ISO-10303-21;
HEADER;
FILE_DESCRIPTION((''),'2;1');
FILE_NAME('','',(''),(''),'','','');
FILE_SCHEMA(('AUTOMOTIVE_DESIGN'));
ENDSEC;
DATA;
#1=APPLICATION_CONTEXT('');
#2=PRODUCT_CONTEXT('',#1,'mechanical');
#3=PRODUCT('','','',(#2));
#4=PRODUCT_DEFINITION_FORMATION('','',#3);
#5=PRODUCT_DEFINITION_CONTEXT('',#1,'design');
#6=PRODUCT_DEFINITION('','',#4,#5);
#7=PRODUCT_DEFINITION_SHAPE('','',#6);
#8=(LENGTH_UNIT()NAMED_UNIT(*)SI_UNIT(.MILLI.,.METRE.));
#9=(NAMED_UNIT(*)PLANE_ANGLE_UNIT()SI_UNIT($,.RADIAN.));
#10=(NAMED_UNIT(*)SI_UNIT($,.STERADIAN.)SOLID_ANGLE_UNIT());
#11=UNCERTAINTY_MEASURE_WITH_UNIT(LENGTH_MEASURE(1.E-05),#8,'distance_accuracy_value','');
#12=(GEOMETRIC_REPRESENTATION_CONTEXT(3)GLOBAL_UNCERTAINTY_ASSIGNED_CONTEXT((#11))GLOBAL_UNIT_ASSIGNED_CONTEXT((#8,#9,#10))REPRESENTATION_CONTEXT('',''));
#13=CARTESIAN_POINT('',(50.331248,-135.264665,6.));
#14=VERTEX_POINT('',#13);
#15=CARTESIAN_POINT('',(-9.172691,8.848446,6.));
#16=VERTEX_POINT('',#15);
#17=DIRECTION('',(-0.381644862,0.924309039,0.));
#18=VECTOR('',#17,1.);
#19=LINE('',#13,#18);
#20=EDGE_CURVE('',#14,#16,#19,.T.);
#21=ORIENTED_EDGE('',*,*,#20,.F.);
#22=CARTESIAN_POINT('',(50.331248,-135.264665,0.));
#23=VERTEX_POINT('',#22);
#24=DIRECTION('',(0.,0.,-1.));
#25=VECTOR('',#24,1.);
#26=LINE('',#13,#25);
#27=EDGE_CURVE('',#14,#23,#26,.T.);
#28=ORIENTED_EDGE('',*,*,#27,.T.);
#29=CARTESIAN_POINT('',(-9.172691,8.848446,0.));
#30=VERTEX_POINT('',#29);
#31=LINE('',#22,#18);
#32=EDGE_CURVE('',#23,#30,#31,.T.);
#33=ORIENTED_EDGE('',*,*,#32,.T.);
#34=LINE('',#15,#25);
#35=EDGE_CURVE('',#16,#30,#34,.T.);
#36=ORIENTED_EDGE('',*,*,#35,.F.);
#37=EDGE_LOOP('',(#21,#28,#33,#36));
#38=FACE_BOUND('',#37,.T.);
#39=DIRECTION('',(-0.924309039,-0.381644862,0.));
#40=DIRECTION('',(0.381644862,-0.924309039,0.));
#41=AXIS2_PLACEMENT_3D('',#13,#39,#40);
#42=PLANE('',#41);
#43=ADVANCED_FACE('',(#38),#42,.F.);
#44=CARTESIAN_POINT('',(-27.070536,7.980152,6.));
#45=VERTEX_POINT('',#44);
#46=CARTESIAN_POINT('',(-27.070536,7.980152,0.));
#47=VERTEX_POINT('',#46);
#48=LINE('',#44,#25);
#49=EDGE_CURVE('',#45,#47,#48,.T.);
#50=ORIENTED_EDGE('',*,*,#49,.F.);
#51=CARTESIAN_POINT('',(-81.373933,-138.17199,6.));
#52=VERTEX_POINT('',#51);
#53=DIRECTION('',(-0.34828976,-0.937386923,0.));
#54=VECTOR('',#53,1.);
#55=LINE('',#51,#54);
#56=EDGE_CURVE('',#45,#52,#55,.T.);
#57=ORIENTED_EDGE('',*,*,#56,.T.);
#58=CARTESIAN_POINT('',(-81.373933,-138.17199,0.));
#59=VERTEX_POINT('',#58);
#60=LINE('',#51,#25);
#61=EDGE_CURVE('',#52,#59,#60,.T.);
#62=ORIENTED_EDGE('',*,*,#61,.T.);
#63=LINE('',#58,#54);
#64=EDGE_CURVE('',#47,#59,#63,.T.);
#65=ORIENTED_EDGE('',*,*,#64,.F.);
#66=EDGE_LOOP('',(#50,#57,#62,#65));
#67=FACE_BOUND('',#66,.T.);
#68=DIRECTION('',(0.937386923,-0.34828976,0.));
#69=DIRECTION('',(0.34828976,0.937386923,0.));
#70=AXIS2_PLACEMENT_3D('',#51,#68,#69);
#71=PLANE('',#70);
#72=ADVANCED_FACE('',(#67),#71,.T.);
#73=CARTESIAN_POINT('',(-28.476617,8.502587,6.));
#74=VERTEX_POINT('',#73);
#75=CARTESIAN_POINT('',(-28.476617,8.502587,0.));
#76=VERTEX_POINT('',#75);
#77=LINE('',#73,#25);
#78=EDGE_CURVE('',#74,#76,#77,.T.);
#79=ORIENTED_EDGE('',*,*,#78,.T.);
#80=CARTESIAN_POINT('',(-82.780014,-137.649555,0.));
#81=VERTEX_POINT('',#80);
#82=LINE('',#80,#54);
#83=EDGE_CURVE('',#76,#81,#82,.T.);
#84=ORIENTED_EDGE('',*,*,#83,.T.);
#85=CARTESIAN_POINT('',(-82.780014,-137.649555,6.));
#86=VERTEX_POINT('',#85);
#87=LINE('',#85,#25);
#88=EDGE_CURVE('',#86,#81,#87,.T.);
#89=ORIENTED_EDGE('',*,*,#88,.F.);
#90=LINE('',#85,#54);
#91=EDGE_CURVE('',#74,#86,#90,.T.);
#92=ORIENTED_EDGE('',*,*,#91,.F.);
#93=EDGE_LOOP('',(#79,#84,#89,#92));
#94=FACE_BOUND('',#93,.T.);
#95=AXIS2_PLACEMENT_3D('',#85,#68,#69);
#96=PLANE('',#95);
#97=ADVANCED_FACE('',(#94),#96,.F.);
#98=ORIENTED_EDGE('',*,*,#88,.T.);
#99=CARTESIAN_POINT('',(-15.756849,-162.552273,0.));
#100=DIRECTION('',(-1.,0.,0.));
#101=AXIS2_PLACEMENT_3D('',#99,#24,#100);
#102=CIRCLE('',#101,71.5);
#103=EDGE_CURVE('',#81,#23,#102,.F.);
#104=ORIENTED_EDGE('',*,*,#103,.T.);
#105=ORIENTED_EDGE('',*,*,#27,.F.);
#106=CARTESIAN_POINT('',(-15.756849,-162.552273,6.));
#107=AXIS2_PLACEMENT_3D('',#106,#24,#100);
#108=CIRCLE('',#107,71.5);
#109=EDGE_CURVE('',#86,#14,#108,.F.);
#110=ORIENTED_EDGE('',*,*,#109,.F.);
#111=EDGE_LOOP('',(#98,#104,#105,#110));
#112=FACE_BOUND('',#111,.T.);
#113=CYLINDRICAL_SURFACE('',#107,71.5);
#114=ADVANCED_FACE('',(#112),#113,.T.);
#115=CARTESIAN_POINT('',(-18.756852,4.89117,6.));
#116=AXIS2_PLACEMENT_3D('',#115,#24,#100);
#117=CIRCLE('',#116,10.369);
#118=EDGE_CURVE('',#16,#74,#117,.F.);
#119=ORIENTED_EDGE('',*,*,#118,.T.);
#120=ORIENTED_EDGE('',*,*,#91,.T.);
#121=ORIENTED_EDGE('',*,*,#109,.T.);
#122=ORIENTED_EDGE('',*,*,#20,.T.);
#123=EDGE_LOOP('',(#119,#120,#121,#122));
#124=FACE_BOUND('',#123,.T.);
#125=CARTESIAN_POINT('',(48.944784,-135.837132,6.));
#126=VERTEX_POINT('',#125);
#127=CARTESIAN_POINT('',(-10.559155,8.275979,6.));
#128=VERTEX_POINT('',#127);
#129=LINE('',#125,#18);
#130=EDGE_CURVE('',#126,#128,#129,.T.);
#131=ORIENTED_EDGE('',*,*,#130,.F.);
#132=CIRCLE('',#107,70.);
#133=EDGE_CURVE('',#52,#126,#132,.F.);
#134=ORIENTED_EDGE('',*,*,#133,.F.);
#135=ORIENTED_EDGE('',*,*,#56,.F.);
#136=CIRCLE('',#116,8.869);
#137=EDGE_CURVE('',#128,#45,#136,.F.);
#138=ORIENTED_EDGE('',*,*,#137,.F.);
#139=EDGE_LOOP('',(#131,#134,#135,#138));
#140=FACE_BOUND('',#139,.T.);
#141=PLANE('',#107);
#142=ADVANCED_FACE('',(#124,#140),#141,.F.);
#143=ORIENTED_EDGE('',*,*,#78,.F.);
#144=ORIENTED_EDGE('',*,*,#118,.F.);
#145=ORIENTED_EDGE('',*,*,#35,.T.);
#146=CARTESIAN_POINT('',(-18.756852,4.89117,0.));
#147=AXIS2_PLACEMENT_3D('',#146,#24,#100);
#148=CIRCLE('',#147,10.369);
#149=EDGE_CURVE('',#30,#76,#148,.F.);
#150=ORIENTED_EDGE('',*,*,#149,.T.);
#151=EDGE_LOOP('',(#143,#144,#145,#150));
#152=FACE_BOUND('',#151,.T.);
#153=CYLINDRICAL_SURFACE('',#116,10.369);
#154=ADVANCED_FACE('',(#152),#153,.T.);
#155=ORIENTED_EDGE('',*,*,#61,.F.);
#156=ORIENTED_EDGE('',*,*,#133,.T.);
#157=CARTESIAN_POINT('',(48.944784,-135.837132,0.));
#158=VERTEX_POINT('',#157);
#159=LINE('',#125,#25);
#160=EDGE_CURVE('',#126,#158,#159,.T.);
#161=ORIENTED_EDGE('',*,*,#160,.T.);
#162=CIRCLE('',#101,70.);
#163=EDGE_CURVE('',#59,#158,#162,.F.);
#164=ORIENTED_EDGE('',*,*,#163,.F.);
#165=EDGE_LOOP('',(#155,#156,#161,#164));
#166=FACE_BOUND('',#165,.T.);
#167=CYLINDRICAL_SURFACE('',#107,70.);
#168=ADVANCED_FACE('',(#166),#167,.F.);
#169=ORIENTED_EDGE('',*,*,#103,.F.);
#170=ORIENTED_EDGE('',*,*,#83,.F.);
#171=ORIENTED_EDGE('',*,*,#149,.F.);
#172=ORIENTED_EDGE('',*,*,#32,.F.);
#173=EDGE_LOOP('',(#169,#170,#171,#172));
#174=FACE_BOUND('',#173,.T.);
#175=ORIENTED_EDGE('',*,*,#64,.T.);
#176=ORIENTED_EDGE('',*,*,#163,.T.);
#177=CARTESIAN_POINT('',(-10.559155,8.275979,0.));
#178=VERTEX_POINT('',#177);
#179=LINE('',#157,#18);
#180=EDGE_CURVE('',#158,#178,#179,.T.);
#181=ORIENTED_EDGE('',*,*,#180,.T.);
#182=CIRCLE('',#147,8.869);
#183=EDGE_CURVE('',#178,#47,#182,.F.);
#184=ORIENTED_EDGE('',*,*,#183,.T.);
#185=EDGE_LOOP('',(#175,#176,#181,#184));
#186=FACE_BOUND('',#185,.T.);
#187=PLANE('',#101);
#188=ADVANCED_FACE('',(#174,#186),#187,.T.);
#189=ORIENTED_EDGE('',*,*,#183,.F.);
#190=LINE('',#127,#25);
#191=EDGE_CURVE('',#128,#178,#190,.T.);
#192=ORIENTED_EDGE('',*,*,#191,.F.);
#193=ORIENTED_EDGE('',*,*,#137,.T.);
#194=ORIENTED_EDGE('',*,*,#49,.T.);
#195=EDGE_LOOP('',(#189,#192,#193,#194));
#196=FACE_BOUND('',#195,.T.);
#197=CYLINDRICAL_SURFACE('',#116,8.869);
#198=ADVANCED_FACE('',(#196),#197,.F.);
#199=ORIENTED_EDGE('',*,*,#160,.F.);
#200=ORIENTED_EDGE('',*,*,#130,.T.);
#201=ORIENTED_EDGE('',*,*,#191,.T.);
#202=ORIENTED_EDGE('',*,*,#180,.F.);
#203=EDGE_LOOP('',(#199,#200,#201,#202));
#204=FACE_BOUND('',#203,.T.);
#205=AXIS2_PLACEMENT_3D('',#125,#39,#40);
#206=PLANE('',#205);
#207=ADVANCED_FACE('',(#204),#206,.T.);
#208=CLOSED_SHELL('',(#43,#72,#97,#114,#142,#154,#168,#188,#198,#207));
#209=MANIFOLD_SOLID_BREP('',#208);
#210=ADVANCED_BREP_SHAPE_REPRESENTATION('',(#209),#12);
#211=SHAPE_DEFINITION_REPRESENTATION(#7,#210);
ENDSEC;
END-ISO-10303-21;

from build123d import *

# Parameters (mm, degrees)
EXTRUDE_THIN1_DEPTH = 6


with BuildPart() as part:
    # Sketch2 → Extrude-Thin1 (new body)
    with BuildSketch(Plane.XY):
        with BuildLine():
            Line((-9.172691079, 8.848445861), (50.331247545, -135.264665135))
            ThreePointArc((50.331247545, -135.264665135), (-14.476023559, -234.04079971), (-82.780013714, -137.649554888))
            Line((-82.780013714, -137.649554888), (-28.476616505, 8.502586814))
            ThreePointArc((-28.476616505, 8.502586814), (-18.942598025, 15.258506457), (-9.172691079, 8.848445861))
        make_face()
        with BuildLine():
            Line((-10.559154637, 8.275978568), (48.944783986, -135.837132427))
            ThreePointArc((48.944783986, -135.837132427), (-14.502894017, -232.541040403), (-81.37393333, -138.171989528))
            Line((-81.37393333, -138.171989528), (-27.070536121, 7.980152173))
            ThreePointArc((-27.070536121, 7.980152173), (-18.915727567, 13.758747151), (-10.559154637, 8.275978568))
        make_face(mode=Mode.SUBTRACT)
    extrude(amount=EXTRUDE_THIN1_DEPTH)


solid = part.part
